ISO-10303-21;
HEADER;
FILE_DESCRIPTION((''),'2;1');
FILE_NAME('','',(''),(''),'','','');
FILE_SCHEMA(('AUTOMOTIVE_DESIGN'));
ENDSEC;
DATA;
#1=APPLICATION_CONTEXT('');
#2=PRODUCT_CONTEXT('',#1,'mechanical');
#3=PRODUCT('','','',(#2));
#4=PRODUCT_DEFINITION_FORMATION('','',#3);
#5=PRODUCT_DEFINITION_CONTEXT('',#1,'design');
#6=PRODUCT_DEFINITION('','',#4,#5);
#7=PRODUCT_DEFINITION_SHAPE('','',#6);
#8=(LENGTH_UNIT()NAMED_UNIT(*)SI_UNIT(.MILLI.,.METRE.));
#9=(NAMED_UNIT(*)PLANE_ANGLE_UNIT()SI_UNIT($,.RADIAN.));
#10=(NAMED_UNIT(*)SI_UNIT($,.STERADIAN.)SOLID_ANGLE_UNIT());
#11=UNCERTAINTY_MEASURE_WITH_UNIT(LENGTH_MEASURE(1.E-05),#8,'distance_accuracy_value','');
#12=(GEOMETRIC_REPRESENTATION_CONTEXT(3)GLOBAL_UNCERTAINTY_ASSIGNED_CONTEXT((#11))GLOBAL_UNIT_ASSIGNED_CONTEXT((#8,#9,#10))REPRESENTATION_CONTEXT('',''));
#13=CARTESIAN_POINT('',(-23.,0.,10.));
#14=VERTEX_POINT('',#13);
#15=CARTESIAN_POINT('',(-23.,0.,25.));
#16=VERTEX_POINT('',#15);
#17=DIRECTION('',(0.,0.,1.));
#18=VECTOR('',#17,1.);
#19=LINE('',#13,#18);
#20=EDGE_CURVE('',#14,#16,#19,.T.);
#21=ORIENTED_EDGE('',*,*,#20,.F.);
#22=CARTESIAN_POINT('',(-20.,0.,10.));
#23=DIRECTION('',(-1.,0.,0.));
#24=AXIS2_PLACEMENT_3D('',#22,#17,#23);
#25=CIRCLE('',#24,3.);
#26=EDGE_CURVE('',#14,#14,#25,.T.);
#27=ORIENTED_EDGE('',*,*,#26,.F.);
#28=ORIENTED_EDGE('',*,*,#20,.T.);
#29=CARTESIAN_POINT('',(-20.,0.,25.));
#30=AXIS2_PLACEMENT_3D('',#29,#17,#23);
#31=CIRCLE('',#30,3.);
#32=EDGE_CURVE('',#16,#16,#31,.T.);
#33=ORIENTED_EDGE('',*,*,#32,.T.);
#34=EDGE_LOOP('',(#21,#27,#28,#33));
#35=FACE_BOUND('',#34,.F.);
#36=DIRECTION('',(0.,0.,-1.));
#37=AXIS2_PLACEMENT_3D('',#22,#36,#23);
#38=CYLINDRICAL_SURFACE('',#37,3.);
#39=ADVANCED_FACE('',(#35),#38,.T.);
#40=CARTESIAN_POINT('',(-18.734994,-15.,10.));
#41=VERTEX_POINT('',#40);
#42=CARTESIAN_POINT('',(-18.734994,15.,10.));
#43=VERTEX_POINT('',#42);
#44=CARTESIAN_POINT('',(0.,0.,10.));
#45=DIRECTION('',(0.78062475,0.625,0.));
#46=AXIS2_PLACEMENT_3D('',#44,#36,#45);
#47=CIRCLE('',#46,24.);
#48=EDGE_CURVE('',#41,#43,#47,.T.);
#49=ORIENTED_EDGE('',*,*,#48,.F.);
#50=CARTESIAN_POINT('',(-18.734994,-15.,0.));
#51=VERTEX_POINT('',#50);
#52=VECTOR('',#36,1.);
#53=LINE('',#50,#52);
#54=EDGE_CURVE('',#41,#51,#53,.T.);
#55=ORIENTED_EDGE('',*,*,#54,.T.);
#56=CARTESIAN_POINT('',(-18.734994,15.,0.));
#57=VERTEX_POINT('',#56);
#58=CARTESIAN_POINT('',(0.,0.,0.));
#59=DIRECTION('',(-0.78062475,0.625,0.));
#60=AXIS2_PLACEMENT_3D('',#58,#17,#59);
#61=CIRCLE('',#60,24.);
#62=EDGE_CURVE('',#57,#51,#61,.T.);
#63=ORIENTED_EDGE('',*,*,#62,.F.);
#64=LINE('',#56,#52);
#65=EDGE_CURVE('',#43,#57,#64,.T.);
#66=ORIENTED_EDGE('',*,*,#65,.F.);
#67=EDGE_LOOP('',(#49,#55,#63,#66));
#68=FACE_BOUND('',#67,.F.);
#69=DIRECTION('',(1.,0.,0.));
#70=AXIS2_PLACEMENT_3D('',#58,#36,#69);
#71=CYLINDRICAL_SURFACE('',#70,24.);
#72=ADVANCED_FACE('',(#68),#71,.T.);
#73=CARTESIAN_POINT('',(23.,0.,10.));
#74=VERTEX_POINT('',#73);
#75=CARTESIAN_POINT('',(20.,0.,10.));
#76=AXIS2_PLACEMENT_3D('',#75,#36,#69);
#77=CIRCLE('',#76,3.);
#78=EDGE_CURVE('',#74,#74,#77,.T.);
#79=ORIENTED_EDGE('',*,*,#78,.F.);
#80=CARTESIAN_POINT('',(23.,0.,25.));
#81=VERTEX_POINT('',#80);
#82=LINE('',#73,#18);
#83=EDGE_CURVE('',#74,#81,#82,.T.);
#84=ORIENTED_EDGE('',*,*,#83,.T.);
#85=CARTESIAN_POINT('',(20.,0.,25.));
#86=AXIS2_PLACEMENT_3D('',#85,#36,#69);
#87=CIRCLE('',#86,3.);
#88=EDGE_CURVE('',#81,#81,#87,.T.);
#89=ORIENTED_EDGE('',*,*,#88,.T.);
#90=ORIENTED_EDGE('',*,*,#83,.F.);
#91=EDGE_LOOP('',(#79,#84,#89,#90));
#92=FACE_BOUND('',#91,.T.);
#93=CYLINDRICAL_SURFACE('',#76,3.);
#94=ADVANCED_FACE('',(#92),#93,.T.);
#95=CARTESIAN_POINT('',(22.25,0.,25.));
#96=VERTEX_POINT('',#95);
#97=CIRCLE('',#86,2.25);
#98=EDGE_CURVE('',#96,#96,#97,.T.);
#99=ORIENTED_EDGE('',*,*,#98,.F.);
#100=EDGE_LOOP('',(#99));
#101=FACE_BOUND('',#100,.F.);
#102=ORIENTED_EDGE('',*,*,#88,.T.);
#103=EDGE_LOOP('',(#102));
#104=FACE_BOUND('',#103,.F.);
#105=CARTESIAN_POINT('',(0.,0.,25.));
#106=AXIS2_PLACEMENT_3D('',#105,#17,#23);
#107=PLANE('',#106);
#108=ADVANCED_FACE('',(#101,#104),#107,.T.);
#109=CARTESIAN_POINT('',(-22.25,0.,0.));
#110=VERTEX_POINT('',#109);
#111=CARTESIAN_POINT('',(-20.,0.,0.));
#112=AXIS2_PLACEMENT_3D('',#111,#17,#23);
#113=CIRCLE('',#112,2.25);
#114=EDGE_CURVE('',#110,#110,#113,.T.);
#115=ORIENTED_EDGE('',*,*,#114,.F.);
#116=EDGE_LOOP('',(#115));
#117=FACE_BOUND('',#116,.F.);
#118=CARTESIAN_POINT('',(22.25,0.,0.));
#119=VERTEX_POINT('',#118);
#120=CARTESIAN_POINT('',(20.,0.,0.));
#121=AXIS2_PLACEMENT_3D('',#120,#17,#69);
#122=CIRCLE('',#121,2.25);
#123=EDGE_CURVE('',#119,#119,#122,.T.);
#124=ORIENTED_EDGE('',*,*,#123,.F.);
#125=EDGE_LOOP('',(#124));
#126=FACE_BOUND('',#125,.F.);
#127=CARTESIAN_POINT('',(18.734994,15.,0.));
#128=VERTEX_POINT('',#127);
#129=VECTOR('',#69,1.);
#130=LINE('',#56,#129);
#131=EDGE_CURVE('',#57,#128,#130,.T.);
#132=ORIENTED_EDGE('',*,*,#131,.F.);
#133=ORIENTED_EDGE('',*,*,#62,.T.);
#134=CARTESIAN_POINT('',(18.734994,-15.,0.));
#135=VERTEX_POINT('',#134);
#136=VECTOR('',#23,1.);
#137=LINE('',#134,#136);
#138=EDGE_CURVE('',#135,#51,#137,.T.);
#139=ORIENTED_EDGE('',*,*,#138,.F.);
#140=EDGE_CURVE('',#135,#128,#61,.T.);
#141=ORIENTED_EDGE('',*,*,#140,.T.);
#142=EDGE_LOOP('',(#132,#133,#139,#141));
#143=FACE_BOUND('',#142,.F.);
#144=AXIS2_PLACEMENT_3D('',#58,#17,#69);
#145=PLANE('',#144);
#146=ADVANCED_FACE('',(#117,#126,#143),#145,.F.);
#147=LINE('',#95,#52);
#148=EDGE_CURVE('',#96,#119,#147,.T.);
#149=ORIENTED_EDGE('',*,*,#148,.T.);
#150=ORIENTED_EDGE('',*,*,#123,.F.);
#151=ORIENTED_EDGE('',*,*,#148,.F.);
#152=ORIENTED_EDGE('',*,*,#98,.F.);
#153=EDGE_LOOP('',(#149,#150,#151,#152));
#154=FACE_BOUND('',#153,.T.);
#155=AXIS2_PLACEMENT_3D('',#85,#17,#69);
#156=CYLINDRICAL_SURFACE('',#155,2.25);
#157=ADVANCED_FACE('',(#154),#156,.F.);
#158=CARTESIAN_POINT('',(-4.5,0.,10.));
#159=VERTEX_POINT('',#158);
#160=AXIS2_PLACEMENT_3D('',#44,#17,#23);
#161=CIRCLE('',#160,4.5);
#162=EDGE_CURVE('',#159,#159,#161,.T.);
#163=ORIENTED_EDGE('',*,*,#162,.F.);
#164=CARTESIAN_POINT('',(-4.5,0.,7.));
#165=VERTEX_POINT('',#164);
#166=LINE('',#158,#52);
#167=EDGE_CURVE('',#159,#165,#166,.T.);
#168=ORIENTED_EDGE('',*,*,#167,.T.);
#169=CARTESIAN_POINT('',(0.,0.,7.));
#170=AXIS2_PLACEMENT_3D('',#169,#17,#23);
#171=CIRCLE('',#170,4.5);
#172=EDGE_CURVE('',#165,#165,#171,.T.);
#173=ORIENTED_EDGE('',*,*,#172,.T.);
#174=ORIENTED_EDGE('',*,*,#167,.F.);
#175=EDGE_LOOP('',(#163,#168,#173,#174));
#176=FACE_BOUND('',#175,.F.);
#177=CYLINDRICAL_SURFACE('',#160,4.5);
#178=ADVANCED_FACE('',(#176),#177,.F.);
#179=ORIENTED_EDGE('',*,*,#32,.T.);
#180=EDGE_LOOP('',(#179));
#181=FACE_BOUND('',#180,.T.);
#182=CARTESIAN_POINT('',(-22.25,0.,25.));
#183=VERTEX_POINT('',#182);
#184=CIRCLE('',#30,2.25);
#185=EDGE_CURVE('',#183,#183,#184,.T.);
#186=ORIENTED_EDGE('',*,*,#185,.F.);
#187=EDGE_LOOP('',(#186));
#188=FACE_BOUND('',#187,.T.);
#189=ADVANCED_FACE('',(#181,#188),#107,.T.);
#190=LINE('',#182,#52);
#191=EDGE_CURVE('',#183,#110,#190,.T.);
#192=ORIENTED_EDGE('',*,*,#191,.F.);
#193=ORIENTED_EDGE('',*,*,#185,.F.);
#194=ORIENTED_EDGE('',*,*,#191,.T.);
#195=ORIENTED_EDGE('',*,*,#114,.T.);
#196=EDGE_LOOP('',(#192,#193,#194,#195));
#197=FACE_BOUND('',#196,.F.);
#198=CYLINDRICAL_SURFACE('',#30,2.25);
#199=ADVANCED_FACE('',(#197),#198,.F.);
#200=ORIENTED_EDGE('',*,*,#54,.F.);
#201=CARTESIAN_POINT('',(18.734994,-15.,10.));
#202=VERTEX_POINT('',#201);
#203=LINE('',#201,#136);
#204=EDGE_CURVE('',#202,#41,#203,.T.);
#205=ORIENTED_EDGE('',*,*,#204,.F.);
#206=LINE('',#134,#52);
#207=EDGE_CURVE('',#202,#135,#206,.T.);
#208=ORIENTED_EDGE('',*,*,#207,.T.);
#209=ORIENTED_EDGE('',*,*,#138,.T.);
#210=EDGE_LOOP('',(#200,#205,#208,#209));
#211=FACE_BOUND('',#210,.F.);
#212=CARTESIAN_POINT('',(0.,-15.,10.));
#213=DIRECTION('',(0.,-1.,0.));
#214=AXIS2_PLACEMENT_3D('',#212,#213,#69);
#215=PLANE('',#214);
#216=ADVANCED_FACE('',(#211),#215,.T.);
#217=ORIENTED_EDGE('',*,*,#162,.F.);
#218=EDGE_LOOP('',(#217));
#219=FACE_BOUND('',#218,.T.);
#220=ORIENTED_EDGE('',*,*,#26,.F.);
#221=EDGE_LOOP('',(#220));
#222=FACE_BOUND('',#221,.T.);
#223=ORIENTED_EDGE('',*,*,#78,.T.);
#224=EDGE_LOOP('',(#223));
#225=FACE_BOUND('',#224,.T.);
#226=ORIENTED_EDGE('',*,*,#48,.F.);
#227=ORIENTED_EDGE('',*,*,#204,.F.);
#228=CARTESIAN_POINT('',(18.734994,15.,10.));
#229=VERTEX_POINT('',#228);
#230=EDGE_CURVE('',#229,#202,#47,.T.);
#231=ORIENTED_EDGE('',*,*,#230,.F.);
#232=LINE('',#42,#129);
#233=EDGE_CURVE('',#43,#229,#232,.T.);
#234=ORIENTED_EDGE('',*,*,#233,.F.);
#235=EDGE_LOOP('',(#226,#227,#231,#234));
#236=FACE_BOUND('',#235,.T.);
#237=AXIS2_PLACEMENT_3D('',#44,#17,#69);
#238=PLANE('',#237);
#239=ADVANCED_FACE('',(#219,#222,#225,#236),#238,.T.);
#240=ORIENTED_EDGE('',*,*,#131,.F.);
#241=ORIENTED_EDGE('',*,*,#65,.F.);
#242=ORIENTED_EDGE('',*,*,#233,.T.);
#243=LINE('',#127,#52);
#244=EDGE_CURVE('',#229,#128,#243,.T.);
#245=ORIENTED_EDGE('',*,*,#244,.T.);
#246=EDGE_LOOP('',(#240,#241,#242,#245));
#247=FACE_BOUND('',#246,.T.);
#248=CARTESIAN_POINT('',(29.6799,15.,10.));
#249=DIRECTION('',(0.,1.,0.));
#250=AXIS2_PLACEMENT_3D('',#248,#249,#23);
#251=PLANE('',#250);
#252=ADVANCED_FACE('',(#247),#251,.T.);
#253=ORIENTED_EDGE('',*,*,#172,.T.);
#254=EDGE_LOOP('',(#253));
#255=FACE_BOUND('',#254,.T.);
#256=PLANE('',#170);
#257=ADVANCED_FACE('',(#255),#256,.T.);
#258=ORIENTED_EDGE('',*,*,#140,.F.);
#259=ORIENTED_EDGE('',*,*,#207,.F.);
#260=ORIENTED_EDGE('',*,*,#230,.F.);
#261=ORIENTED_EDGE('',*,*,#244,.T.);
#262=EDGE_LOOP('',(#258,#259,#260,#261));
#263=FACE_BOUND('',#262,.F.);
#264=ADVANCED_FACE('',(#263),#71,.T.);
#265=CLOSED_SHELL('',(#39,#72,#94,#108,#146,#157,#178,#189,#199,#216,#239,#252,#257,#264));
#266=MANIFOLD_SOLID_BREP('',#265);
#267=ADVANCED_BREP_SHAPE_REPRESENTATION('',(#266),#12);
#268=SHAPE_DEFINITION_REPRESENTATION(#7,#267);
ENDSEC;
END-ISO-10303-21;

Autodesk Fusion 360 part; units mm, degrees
sketch "Esquisse1" plane through (0, 0, 0) normal (0, 0, 1) x (1, 0, 0)
  circle A0 centre (0, 0) radius 24
  dimension "d1" = 48
extrude "Extrusion1" add sketch "Esquisse1" along normal blind 10
sketch "Esquisse2" plane through (0, 0, 10) normal (0, 0, 1) x (-1, 0, 0)
  circle A0 centre (0, 0) radius 24
  circle A1 centre (0, 0) radius 4.5
  dimension "d4" = 9
extrude "Extrusion2" cut sketch "Esquisse2" against normal blind 3 contours A1
sketch "Esquisse3" plane through (0, 0, 10) normal (0, 0, 1) x (-1, 0, 0)
  circle A0 centre (0, 0) radius 4.5
  circle A1 centre (0, 0) radius 24
  circle A2 centre (20, 0) radius 3
  dimension "d7" = 20
  dimension "d17" = 6
extrude "Extrusion3" add sketch "Esquisse3" along normal blind 15 contours A2
mirror "Symétrie miroir1" about plane through (0, 0, 0) normal (1, 0, 0) of "Extrusion3"
sketch "Esquisse4" plane through (0, 0, 25) normal (0, 0, 1) x (-1, 0, 0)
  circle A0 centre (20, 0) radius 3
  circle A1 centre (20, 0) radius 2.25
  dimension "d12" = 4.5
extrude "Extrusion4" cut sketch "Esquisse4" against normal blind 36 contours A1
mirror "Symétrie miroir2" about plane through (0, 0, 0) normal (1, 0, 0) of "Extrusion4"
sketch "Esquisse5" plane through (0, 0, 10) normal (0, 0, 1) x (-1, 0, 0)
  circle A0 centre (-20, 0) radius 3
  circle A1 centre (20, 0) radius 3
  circle A2 centre (0, 0) radius 4.5
  circle A3 centre (0, 0) radius 24
sketch "Esquisse6" plane through (0, 0, 10) normal (0, 0, 1) x (-1, 0, 0)
  line L0 (29.6799, -30) -> (-29.6799, -30)
  line L1 (-29.6799, -30) -> (-29.6799, -15)
  line L2 (-29.6799, -15) -> (29.6799, -15)
  line L3 (29.6799, -15) -> (29.6799, -30)
  line L4 (0, -1.75) -> (0, -22.5)
  line L5 (-20, 0) -> (-2.5, 0)
  dimension "d18" = 15
  dimension "d19" = 15
extrude "Extrusion5" cut sketch "Esquisse6" against normal blind 25
mirror "Symétrie miroir3" about plane through (0, 0, 0) normal (0, 1, 0) of "Extrusion5"
